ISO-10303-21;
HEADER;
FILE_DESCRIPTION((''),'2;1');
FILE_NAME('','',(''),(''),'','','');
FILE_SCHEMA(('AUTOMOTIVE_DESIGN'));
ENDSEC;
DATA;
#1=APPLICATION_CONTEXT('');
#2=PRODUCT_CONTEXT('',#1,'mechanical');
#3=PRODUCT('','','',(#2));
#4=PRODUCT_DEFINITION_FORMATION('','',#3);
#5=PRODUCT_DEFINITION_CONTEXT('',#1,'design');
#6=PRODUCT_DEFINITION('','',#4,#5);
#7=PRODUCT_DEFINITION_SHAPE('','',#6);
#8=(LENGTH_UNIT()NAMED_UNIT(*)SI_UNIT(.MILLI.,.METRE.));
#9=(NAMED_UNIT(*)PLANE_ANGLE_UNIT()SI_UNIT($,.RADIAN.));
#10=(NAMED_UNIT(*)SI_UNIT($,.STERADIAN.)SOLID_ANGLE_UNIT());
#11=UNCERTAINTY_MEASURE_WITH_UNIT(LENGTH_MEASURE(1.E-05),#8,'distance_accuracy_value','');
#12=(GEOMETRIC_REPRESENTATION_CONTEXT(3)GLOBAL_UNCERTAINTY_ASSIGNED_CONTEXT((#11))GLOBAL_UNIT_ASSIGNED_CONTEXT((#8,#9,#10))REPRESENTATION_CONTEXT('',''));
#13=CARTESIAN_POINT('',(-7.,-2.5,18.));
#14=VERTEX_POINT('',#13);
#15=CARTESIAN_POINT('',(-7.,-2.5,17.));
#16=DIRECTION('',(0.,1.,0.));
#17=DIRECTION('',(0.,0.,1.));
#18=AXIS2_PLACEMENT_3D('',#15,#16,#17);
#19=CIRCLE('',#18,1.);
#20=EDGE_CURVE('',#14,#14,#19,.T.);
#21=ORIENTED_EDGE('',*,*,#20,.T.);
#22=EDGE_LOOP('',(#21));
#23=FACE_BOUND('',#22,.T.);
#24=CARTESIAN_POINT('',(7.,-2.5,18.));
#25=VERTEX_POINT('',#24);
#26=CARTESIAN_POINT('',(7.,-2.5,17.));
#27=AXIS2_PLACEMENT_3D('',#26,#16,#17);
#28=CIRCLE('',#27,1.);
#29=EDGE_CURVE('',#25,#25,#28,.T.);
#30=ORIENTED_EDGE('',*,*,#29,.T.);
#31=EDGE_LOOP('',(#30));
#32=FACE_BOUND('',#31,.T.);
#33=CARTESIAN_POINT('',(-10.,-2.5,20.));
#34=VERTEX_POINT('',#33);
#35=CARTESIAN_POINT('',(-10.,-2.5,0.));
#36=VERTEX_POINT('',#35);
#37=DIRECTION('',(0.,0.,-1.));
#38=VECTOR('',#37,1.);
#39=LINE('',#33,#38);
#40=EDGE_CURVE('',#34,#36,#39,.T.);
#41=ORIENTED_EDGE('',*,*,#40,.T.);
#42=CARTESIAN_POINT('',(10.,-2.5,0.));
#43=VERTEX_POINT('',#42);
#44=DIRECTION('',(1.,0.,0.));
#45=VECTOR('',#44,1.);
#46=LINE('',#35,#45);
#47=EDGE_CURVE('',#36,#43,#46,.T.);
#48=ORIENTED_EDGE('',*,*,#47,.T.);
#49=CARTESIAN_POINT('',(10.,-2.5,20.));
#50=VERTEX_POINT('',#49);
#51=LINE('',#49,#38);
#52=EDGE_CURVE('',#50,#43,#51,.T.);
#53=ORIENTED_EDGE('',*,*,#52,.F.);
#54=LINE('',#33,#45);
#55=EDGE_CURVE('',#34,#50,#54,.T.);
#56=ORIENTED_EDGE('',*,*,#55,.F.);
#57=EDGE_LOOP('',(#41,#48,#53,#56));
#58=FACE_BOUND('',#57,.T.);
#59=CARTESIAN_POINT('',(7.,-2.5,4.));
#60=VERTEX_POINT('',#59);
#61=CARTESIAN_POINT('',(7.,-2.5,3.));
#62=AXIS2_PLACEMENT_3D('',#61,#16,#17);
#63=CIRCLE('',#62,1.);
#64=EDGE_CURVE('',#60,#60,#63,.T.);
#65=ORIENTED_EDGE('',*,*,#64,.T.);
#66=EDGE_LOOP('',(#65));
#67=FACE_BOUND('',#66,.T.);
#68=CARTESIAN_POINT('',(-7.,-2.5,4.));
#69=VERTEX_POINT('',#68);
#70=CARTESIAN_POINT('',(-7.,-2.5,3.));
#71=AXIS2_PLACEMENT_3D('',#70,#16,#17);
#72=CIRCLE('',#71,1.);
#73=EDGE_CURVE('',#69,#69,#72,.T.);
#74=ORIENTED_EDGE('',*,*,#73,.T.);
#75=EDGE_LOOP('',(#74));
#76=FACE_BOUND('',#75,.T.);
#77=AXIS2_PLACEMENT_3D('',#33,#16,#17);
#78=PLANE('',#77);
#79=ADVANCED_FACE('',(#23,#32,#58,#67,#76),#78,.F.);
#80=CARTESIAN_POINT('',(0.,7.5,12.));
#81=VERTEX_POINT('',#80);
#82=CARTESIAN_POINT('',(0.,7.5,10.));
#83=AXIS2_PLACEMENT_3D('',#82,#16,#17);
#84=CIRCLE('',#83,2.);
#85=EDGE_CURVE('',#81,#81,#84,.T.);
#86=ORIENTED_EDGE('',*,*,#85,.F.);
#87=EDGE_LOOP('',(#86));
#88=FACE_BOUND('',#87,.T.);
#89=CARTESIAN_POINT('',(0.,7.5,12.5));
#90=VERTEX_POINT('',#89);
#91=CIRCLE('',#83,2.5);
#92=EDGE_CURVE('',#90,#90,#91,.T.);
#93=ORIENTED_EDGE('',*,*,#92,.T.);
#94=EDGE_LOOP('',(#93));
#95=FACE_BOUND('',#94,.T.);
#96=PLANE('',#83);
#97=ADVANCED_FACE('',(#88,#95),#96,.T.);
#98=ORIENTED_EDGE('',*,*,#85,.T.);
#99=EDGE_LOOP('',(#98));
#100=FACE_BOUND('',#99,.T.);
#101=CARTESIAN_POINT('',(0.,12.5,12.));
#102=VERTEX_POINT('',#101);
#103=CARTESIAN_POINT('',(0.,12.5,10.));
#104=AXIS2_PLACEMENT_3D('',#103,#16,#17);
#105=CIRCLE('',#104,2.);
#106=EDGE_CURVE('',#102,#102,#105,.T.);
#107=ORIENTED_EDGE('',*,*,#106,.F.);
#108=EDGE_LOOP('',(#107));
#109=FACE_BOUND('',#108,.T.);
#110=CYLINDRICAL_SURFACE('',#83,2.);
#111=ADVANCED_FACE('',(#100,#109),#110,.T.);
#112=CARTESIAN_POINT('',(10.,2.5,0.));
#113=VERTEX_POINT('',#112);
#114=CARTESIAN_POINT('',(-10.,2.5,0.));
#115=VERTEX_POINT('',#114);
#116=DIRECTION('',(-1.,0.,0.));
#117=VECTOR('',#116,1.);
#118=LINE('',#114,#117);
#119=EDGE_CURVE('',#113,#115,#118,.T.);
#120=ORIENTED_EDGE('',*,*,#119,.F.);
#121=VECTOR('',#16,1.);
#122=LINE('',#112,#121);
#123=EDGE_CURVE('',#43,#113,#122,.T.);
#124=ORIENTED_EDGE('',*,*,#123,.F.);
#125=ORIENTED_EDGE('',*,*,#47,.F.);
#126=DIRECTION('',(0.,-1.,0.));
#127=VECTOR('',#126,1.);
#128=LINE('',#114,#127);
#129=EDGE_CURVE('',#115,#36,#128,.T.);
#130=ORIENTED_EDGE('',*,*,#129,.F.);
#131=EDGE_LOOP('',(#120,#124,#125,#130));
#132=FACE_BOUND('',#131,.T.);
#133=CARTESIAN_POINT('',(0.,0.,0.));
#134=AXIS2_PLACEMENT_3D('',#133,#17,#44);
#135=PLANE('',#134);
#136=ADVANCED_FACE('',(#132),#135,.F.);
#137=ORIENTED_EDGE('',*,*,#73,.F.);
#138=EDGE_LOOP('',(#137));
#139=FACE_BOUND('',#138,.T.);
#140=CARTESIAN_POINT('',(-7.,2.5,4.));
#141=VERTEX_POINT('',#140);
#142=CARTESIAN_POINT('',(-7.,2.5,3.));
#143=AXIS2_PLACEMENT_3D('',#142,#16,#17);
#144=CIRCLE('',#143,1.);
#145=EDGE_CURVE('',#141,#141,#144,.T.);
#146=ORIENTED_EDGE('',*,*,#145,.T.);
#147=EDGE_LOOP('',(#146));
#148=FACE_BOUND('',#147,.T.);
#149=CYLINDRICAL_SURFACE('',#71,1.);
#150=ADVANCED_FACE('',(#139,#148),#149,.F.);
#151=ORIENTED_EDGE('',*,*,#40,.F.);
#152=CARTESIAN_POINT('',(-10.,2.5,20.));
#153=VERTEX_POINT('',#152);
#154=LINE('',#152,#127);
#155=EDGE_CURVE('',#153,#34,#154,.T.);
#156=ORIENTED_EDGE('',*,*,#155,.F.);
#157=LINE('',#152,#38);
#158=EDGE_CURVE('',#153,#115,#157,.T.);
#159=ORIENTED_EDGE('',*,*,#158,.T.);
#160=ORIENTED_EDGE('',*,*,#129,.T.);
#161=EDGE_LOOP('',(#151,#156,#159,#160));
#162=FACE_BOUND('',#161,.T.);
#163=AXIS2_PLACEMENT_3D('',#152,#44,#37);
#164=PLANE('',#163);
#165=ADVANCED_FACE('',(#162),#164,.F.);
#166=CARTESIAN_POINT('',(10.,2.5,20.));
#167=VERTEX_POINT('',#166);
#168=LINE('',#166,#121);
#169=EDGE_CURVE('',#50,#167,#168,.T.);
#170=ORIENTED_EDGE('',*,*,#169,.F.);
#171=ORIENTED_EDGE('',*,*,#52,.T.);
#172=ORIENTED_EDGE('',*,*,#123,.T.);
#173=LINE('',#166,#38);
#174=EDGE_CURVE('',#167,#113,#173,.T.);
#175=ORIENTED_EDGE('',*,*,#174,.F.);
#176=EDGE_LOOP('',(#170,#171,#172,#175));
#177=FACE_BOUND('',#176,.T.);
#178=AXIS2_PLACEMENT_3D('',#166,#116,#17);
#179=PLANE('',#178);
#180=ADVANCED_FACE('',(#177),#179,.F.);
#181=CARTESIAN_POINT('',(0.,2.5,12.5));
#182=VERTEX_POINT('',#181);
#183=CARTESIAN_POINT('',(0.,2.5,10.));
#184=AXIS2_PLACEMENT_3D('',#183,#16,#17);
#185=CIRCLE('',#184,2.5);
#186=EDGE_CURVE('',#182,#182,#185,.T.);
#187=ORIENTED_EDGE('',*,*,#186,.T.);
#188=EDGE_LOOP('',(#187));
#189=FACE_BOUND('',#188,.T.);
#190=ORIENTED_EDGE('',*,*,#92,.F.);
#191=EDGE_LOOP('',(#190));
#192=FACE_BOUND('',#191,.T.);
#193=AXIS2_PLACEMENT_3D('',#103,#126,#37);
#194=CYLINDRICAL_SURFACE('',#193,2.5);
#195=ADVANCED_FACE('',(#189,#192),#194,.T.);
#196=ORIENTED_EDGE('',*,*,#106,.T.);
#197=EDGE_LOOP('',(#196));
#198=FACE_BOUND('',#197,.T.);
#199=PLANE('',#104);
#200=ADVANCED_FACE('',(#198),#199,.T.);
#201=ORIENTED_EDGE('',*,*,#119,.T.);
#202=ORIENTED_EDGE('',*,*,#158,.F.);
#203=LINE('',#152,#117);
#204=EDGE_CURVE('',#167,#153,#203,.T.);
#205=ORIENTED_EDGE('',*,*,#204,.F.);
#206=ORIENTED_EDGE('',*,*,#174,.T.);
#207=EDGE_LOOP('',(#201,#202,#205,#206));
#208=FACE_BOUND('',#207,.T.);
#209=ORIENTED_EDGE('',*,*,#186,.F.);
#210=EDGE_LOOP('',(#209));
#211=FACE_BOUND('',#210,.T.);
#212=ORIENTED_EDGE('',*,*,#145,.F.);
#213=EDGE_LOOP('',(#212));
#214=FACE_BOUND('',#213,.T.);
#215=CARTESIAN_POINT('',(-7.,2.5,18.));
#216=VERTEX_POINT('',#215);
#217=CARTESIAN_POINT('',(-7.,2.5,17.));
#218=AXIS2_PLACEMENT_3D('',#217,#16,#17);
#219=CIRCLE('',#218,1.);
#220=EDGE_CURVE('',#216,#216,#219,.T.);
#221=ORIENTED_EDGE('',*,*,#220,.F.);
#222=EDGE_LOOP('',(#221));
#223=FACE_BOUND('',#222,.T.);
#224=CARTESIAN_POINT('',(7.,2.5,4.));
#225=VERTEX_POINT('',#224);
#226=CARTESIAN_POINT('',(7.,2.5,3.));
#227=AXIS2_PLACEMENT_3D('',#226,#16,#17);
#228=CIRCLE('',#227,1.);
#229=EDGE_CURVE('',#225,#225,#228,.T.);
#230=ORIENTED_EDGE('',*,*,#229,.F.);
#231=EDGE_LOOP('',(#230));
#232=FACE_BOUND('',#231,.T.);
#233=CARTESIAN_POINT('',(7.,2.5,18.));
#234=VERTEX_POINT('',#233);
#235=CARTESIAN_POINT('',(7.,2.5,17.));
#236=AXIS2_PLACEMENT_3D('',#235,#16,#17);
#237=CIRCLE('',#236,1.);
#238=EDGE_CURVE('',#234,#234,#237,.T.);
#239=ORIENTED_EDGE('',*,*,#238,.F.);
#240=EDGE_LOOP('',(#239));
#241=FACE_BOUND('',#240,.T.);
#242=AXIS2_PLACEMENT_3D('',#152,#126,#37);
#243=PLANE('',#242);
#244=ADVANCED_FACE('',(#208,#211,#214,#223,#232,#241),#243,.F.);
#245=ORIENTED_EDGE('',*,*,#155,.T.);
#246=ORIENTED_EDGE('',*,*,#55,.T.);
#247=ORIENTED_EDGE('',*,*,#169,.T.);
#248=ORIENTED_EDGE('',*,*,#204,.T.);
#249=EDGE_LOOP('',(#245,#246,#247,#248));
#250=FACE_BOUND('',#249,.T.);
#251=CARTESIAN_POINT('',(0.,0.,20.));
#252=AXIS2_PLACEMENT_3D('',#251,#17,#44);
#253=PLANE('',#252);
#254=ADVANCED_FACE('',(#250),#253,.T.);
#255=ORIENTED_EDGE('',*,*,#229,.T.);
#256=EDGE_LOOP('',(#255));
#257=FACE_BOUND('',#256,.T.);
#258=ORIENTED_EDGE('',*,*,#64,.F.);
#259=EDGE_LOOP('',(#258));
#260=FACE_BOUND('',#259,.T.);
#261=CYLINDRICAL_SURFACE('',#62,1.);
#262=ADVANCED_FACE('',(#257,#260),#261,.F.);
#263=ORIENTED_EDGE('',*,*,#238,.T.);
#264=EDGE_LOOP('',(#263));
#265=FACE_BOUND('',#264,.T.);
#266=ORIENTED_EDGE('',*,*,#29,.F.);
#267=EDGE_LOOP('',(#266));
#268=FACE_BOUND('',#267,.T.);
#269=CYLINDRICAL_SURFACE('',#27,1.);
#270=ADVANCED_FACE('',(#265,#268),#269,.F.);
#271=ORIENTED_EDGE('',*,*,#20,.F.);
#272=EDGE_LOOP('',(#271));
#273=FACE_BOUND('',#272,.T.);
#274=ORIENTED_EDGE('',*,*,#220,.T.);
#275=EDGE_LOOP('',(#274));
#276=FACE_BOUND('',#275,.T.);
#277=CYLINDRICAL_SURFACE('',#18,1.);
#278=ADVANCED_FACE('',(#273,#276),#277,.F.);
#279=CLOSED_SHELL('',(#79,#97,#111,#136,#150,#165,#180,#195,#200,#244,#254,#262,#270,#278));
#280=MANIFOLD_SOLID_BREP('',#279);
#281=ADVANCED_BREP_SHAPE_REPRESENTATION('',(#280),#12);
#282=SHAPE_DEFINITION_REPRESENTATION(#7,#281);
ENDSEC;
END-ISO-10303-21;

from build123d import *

# Parameters (mm, degrees)
SKETCH1_W           = 20
SKETCH1_H           = 5
BOSS_EXTRUDE1_DEPTH = 20
SKETCH2_R           = 2.5
BOSS_EXTRUDE2_DEPTH = 10
SKETCH3_R           = 1
CUT_EXTRUDE1_DEPTH  = 25.494897428
CUT_EXTRUDE2_START  = -5
SKETCH4_R           = 2.5
SKETCH4_R_2         = 2
CUT_EXTRUDE2_DEPTH  = 5


with BuildPart() as part:
    # Sketch1 → Boss-Extrude1 (new body)
    with BuildSketch(Plane.XY):
        Rectangle(SKETCH1_W, SKETCH1_H)
    extrude(amount=BOSS_EXTRUDE1_DEPTH)

    # Sketch2 → Boss-Extrude2 (add)
    with BuildSketch(Plane(origin=(0, 2.5, 0), x_dir=(1, 0, 0), z_dir=(0, 1, 0))):
        with Locations(Location((0, -10, 0), (0, 0, 270))):
            Circle(SKETCH2_R)
    extrude(amount=BOSS_EXTRUDE2_DEPTH)

    # Sketch3 → Cut-Extrude1 (cut, through all)
    with BuildSketch(Plane(origin=(0, 2.5, 0), x_dir=(1, 0, 0), z_dir=(0, 1, 0))):
        with Locations(Location((-7, -3, 0), (0, 0, 270))):
            Circle(SKETCH3_R)
        with Locations(Location((7, -3, 0), (0, 0, 270))):
            Circle(SKETCH3_R)
        with Locations(Location((-7, -17, 0), (0, 0, 270))):
            Circle(SKETCH3_R)
        with Locations(Location((7, -17, 0), (0, 0, 270))):
            Circle(SKETCH3_R)
    extrude(amount=-CUT_EXTRUDE1_DEPTH, mode=Mode.SUBTRACT)

    # Sketch4 → Cut-Extrude2 (cut)
    with BuildSketch(Plane(origin=(0, 12.5, 0), x_dir=(1, 0, 0), z_dir=(0, 1, 0)).offset(CUT_EXTRUDE2_START)):
        with Locations(Location((0, -10, 0), (0, 0, 270))):
            Circle(SKETCH4_R)
        with Locations(Location((0, -10, 0), (0, 0, 270))):
            Circle(SKETCH4_R_2, mode=Mode.SUBTRACT)
    extrude(amount=CUT_EXTRUDE2_DEPTH, mode=Mode.SUBTRACT)


solid = part.part
